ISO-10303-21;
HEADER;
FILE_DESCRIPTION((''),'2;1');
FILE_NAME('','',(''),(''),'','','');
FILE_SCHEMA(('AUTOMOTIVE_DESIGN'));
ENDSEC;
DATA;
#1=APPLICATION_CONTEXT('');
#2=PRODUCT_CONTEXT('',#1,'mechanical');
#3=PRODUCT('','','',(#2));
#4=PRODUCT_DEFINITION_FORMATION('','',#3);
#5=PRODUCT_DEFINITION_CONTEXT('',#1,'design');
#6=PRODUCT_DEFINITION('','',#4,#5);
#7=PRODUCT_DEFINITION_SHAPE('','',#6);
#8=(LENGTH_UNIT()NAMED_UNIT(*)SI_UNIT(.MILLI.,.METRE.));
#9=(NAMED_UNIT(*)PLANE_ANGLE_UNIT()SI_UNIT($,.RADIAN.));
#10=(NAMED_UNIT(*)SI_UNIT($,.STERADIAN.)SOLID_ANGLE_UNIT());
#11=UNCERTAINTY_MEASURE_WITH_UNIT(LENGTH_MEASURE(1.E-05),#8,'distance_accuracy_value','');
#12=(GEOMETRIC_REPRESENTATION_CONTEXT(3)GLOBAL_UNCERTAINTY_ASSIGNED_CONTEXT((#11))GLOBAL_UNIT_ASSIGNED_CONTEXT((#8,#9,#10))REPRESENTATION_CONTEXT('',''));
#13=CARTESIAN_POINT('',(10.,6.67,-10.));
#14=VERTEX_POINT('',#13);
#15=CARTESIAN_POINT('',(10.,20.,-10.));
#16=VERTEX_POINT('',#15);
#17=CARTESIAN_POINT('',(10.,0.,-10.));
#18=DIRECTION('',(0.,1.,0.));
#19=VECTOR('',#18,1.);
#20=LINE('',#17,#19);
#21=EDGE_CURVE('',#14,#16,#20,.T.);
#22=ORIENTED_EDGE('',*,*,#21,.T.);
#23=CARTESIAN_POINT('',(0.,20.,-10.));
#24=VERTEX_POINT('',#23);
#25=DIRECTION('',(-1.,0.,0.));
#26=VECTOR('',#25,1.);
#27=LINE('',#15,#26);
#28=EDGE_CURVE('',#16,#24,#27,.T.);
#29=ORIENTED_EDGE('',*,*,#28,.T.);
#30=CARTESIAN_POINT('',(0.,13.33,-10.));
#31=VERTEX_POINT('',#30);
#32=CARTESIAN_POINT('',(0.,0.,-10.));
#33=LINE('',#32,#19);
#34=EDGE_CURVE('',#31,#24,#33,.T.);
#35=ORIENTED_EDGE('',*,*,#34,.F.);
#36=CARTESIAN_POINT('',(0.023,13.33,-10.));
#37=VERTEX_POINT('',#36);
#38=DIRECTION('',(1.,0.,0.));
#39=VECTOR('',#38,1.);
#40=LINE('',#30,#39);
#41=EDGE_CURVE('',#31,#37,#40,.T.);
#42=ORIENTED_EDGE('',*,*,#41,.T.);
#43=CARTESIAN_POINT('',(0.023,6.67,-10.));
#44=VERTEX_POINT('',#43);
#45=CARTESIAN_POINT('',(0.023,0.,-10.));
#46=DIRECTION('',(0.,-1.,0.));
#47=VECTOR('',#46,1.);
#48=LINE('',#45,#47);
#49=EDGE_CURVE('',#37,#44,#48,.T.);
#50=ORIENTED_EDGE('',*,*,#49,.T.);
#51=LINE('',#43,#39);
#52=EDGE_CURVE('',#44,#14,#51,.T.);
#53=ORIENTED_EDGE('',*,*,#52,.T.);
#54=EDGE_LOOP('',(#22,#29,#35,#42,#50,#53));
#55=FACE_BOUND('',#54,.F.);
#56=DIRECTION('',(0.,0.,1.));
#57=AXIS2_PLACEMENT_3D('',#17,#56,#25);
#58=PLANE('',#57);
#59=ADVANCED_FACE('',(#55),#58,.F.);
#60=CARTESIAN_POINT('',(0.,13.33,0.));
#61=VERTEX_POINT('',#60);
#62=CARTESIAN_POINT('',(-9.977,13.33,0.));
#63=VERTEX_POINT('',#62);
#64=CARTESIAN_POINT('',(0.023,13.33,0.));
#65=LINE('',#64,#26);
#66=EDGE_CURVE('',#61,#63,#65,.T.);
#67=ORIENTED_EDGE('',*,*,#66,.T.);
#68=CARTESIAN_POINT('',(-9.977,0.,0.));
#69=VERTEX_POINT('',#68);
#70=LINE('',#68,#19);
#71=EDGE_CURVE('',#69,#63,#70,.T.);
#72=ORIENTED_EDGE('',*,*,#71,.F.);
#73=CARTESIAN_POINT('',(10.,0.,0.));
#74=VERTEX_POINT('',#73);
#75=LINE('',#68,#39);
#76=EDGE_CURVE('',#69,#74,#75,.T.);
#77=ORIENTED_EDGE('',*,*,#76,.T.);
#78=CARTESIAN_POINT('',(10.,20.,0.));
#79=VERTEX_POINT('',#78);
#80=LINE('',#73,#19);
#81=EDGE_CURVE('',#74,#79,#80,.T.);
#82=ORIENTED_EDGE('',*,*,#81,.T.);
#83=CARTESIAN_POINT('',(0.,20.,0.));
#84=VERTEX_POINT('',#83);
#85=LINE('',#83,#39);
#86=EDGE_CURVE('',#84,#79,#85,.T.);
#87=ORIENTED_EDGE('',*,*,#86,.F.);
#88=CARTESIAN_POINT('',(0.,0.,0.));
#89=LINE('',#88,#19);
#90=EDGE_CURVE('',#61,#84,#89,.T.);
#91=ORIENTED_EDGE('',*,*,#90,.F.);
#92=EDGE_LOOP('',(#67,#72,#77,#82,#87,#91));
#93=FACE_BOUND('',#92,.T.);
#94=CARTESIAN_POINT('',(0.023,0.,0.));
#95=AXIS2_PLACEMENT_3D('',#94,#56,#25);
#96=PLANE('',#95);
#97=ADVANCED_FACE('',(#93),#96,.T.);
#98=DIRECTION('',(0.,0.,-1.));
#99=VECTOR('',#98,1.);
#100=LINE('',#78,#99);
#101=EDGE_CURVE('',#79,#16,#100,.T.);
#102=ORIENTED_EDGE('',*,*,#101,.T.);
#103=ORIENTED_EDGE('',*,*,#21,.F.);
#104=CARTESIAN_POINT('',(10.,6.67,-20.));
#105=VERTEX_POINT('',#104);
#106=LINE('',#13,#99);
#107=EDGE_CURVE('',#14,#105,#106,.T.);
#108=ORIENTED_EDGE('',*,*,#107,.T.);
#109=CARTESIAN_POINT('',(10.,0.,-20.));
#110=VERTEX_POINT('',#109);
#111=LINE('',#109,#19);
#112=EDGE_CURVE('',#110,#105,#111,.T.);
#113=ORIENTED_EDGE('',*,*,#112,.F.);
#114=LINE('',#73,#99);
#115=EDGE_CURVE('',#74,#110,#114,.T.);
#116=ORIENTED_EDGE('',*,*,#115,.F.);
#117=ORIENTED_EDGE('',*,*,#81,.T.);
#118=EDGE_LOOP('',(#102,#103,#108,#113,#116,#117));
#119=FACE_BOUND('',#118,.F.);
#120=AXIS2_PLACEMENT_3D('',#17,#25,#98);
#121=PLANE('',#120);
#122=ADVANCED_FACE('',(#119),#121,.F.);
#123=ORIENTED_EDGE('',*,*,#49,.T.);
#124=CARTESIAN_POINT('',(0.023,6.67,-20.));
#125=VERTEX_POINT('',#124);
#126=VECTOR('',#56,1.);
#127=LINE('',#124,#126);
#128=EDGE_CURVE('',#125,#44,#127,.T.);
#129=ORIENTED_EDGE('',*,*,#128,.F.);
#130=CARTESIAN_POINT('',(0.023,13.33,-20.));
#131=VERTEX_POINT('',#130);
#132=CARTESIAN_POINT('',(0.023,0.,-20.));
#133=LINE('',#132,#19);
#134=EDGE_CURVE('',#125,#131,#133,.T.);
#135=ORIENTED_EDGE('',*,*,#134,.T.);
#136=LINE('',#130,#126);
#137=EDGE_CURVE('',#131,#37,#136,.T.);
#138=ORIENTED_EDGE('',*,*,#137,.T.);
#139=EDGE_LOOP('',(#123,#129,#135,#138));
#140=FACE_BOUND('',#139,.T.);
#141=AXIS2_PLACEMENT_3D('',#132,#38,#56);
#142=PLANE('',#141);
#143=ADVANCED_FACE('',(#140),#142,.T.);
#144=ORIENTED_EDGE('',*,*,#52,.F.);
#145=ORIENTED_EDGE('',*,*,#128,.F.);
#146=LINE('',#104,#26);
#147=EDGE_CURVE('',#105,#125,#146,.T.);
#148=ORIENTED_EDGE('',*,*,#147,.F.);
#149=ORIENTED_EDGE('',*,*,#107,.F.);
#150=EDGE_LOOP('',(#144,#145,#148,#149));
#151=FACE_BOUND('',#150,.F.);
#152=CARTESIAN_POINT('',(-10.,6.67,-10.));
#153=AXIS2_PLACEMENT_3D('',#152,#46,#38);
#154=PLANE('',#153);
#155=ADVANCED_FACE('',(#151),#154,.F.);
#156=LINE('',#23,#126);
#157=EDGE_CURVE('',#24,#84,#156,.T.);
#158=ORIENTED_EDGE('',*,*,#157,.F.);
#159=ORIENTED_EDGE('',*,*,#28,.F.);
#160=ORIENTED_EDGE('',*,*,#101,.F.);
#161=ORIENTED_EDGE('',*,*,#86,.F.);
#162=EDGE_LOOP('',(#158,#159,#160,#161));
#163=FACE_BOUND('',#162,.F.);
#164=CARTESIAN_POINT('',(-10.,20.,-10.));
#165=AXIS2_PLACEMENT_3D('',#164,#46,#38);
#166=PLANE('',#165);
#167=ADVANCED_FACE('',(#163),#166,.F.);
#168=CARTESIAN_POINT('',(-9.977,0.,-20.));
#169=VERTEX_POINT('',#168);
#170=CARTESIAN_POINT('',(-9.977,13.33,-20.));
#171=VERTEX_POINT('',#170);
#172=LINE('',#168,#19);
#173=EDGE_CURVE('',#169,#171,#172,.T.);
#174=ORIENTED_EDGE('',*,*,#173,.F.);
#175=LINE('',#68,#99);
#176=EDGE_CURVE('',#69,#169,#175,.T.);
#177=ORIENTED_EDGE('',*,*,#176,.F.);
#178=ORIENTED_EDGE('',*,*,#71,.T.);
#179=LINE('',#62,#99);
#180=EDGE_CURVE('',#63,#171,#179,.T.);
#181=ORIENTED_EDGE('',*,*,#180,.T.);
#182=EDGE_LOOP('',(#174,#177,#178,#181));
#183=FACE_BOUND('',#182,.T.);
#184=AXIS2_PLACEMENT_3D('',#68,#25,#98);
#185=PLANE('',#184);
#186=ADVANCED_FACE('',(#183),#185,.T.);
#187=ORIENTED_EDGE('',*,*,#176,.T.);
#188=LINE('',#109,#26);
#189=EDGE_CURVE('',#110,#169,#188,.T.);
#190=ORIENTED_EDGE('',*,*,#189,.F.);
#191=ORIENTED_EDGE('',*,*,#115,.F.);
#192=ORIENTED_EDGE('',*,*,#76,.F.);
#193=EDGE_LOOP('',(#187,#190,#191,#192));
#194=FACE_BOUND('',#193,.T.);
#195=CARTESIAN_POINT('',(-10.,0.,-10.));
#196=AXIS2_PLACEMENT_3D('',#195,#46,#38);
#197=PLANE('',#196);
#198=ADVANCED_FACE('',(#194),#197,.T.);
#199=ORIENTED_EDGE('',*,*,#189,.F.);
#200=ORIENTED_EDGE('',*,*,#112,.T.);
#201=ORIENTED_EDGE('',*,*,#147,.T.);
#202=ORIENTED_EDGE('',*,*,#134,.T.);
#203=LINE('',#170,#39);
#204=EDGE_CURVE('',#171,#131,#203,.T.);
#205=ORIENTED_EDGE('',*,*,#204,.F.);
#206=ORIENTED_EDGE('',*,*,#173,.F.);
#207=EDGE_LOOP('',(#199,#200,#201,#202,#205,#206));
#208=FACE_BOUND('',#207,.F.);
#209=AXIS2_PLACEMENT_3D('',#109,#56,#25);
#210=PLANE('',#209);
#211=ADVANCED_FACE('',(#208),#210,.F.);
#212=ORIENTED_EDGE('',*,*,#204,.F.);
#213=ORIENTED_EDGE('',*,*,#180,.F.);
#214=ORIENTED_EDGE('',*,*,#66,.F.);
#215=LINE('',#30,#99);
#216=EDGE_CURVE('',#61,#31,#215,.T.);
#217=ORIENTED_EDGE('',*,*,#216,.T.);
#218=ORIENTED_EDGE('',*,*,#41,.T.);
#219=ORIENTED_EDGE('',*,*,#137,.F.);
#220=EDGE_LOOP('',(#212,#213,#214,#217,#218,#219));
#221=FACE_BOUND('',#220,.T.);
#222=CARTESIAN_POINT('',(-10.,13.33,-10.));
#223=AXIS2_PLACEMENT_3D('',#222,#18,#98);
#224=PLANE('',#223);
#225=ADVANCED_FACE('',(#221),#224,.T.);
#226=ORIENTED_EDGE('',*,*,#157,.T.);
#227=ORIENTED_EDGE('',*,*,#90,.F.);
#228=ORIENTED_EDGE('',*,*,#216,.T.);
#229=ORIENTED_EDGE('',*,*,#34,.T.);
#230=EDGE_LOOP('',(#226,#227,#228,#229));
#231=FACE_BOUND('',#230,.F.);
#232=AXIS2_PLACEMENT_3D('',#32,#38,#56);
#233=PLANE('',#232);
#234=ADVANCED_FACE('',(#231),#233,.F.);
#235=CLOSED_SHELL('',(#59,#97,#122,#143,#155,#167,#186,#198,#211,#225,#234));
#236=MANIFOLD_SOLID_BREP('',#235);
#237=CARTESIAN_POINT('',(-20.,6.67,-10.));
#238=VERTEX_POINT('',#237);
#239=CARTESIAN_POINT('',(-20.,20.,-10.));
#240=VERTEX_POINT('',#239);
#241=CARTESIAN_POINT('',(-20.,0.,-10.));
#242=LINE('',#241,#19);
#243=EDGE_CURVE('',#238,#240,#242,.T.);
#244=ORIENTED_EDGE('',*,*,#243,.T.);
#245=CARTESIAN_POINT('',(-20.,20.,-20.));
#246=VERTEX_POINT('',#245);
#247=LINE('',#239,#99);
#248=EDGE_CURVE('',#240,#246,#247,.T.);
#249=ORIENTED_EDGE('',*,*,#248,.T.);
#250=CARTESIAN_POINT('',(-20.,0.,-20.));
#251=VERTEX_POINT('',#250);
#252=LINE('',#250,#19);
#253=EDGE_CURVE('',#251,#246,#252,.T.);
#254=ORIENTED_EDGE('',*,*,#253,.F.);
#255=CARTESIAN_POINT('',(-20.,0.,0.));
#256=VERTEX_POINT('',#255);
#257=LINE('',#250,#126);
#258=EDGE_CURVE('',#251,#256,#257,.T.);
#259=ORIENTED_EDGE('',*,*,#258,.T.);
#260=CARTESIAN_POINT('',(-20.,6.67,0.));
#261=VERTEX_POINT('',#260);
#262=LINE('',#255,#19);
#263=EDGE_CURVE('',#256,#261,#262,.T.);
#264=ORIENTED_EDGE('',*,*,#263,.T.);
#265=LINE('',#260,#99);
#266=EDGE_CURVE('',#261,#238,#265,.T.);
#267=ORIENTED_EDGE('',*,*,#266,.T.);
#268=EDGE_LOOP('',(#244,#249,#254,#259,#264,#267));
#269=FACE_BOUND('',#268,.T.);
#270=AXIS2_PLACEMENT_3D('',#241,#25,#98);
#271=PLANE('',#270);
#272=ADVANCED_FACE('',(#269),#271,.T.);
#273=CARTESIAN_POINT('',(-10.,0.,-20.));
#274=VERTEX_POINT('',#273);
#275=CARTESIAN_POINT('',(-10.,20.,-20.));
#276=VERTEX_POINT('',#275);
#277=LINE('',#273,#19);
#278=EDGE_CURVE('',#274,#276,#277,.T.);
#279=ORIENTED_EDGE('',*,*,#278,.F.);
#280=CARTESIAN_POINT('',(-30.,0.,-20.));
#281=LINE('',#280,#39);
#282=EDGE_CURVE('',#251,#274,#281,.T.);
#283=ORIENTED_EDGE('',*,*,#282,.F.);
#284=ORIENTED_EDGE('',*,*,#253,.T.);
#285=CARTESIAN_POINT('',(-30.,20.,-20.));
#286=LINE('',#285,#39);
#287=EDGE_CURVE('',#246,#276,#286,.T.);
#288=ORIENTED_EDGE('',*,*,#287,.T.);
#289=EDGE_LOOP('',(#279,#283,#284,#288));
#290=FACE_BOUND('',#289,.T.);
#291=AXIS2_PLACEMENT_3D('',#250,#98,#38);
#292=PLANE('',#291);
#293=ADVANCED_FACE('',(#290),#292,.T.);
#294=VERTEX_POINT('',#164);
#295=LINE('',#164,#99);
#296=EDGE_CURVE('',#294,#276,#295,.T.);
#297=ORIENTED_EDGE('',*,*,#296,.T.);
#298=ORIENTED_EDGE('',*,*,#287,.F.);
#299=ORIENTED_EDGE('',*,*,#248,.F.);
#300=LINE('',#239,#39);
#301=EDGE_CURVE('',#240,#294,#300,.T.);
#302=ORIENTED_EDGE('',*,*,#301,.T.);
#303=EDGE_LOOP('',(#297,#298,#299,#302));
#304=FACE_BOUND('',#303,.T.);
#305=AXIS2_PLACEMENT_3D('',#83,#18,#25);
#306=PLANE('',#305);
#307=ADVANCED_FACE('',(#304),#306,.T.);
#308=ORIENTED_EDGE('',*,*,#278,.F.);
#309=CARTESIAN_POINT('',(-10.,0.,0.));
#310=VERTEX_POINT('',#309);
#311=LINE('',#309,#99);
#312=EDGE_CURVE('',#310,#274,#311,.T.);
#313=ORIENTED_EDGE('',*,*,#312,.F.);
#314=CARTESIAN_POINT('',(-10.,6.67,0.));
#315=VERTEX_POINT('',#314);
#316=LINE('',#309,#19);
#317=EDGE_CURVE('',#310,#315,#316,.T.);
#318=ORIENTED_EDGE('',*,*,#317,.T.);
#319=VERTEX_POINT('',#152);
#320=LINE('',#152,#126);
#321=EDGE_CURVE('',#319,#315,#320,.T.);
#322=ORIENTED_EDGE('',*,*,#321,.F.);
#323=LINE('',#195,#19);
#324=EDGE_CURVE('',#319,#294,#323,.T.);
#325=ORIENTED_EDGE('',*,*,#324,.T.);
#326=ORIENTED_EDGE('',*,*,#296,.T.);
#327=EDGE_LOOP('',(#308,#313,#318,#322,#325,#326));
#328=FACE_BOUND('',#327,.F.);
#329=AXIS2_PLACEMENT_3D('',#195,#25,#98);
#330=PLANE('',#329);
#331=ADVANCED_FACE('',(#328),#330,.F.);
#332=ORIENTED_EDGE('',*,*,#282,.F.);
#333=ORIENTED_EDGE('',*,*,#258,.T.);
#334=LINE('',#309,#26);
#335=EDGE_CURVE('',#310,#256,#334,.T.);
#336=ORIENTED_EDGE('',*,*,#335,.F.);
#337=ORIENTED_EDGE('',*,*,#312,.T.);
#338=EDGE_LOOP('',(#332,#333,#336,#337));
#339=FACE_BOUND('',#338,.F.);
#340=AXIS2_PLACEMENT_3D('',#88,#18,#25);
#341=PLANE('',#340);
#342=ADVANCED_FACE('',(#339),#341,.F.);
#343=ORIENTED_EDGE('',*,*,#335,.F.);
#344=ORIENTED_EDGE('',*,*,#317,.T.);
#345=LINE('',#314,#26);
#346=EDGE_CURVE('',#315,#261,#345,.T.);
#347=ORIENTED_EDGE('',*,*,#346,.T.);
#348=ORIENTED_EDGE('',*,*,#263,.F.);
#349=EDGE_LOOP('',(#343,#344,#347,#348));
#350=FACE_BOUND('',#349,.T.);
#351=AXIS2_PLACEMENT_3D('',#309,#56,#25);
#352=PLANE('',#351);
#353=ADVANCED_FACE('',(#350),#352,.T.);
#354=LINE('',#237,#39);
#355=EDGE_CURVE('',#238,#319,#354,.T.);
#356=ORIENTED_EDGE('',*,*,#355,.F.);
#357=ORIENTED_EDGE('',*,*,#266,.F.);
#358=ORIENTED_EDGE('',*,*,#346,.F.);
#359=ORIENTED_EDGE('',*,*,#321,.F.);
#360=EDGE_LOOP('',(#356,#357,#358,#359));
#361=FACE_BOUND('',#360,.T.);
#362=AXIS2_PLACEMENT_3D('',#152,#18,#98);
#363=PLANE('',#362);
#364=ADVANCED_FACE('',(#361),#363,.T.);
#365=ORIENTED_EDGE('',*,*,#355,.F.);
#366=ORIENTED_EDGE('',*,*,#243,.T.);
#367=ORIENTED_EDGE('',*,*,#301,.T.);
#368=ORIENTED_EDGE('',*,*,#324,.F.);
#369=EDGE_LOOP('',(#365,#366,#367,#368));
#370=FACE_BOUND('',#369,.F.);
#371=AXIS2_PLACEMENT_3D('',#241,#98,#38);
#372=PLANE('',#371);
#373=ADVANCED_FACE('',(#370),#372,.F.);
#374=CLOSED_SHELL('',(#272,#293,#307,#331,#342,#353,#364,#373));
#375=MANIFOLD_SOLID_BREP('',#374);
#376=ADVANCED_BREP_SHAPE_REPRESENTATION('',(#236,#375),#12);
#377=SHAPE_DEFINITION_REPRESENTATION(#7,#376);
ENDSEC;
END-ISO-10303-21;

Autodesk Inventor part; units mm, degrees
sketch "Sketch1" plane through (0, 0, 0) normal (0, 1, 0) x (-1, 0, 0)
  line L0 (0, 0) -> (30, 0)
  line L1 (30, 0) -> (30, -20)
  line L2 (30, -20) -> (0, -20)
  line L3 (0, -20) -> (0, 0)
  line L4 (0, 0) -> (10, 0)
  line L5 (10, 0) -> (10, -10)
  line L6 (10, -10) -> (0, -10)
  line L7 (0, -10) -> (0, 0)
  line L8 (10, 0) -> (20, 0)
  line L9 (20, 0) -> (20, -10)
  line L10 (20, -10) -> (10, -10)
  line L11 (10, -10) -> (10, 0)
  line L12 (20, 0) -> (30, 0)
  line L13 (30, 0) -> (30, -10)
  line L14 (30, -10) -> (20, -10)
  line L15 (20, -10) -> (20, 0)
  line L16 (0, -10) -> (10, -10)
  line L17 (10, -10) -> (10, -20)
  line L18 (10, -20) -> (0, -20)
  line L19 (0, -20) -> (0, -10)
  line L20 (10, -10) -> (20, -10)
  line L21 (20, -10) -> (20, -20)
  line L22 (20, -20) -> (10, -20)
  line L23 (10, -20) -> (10, -10)
  line L24 (20, -10) -> (30, -10)
  line L25 (30, -10) -> (30, -20)
  line L26 (30, -20) -> (20, -20)
  line L27 (20, -20) -> (20, -10)
  dimension "d0" = 30
  dimension "d1" = 20
  dimension "d2" = 10
  dimension "d3" = 10
extrude "Extrusion1" add sketch "Sketch1" along normal blind 20 contours L10 L21 L2 L17
ref_plane "Work Plane2" through (-10, 0, -10) normal (0, 1, 0) x (0, 0, -1)
sketch "Sketch2" plane through (-10, 0, -10) normal (0, 1, 0) x (0, 0, -1)
  line L0 (0, 0) -> (-10, 0)
  line L1 (-10, 0) -> (-10, 10)
  line L2 (-10, 10) -> (0, 10)
  line L3 (0, 10) -> (0, 0)
  point P0 (-10, -10)
  dimension "d6" = 10
  dimension "d7" = 10
extrude "Extrusion2" add sketch "Sketch2" along normal blind 6.67
ref_plane "Work Plane3" through (-10, 0, -10) normal (0, 1, 0) x (0, 0, -1)
sketch "Sketch3" plane through (-10, 0, -10) normal (0, 1, 0) x (0, 0, -1)
  line L0 (-10, -0.023) -> (10, -0.023)
  line L1 (10, -0.023) -> (10, -10.023)
  line L2 (10, -10.023) -> (-10, -10.023)
  line L3 (-10, -10.023) -> (-10, -0.023)
  point P0 (-10, -10)
  dimension "d10" = 20
  dimension "d11" = 10
extrude "Extrusion3" add sketch "Sketch3" along normal blind 13.33
ref_plane "Work Plane4" through (-10, 0, -10) normal (0, -1, 0) x (1, 0, 0)
sketch "Sketch4" plane through (-10, 0, -10) normal (0, -1, 0) x (1, 0, 0)
  line L0 (10, 10) -> (20, 10)
  line L1 (20, 10) -> (20, 0)
  line L2 (20, 0) -> (10, 0)
  line L3 (10, 0) -> (10, 10)
  dimension "d14" = 10
extrude "Extrusion4" add sketch "Sketch4" against normal blind 20
ref_plane "Work Plane5" through (-10, 0, -10) normal (0, -1, 0) x (1, 0, 0)
sketch "Sketch5" plane through (-10, 0, -10) normal (0, -1, 0) x (1, 0, 0)
  line L0 (10.023, 0) -> (20, 0)
  line L1 (20, 0) -> (20, -10)
  line L2 (20, -10) -> (10.023, -10)
  line L3 (10.023, -10) -> (10.023, 0)
  point P0 (10, 10)
extrude "Extrusion5" add sketch "Sketch5" against normal blind 6.67
properties part number "128_0"
